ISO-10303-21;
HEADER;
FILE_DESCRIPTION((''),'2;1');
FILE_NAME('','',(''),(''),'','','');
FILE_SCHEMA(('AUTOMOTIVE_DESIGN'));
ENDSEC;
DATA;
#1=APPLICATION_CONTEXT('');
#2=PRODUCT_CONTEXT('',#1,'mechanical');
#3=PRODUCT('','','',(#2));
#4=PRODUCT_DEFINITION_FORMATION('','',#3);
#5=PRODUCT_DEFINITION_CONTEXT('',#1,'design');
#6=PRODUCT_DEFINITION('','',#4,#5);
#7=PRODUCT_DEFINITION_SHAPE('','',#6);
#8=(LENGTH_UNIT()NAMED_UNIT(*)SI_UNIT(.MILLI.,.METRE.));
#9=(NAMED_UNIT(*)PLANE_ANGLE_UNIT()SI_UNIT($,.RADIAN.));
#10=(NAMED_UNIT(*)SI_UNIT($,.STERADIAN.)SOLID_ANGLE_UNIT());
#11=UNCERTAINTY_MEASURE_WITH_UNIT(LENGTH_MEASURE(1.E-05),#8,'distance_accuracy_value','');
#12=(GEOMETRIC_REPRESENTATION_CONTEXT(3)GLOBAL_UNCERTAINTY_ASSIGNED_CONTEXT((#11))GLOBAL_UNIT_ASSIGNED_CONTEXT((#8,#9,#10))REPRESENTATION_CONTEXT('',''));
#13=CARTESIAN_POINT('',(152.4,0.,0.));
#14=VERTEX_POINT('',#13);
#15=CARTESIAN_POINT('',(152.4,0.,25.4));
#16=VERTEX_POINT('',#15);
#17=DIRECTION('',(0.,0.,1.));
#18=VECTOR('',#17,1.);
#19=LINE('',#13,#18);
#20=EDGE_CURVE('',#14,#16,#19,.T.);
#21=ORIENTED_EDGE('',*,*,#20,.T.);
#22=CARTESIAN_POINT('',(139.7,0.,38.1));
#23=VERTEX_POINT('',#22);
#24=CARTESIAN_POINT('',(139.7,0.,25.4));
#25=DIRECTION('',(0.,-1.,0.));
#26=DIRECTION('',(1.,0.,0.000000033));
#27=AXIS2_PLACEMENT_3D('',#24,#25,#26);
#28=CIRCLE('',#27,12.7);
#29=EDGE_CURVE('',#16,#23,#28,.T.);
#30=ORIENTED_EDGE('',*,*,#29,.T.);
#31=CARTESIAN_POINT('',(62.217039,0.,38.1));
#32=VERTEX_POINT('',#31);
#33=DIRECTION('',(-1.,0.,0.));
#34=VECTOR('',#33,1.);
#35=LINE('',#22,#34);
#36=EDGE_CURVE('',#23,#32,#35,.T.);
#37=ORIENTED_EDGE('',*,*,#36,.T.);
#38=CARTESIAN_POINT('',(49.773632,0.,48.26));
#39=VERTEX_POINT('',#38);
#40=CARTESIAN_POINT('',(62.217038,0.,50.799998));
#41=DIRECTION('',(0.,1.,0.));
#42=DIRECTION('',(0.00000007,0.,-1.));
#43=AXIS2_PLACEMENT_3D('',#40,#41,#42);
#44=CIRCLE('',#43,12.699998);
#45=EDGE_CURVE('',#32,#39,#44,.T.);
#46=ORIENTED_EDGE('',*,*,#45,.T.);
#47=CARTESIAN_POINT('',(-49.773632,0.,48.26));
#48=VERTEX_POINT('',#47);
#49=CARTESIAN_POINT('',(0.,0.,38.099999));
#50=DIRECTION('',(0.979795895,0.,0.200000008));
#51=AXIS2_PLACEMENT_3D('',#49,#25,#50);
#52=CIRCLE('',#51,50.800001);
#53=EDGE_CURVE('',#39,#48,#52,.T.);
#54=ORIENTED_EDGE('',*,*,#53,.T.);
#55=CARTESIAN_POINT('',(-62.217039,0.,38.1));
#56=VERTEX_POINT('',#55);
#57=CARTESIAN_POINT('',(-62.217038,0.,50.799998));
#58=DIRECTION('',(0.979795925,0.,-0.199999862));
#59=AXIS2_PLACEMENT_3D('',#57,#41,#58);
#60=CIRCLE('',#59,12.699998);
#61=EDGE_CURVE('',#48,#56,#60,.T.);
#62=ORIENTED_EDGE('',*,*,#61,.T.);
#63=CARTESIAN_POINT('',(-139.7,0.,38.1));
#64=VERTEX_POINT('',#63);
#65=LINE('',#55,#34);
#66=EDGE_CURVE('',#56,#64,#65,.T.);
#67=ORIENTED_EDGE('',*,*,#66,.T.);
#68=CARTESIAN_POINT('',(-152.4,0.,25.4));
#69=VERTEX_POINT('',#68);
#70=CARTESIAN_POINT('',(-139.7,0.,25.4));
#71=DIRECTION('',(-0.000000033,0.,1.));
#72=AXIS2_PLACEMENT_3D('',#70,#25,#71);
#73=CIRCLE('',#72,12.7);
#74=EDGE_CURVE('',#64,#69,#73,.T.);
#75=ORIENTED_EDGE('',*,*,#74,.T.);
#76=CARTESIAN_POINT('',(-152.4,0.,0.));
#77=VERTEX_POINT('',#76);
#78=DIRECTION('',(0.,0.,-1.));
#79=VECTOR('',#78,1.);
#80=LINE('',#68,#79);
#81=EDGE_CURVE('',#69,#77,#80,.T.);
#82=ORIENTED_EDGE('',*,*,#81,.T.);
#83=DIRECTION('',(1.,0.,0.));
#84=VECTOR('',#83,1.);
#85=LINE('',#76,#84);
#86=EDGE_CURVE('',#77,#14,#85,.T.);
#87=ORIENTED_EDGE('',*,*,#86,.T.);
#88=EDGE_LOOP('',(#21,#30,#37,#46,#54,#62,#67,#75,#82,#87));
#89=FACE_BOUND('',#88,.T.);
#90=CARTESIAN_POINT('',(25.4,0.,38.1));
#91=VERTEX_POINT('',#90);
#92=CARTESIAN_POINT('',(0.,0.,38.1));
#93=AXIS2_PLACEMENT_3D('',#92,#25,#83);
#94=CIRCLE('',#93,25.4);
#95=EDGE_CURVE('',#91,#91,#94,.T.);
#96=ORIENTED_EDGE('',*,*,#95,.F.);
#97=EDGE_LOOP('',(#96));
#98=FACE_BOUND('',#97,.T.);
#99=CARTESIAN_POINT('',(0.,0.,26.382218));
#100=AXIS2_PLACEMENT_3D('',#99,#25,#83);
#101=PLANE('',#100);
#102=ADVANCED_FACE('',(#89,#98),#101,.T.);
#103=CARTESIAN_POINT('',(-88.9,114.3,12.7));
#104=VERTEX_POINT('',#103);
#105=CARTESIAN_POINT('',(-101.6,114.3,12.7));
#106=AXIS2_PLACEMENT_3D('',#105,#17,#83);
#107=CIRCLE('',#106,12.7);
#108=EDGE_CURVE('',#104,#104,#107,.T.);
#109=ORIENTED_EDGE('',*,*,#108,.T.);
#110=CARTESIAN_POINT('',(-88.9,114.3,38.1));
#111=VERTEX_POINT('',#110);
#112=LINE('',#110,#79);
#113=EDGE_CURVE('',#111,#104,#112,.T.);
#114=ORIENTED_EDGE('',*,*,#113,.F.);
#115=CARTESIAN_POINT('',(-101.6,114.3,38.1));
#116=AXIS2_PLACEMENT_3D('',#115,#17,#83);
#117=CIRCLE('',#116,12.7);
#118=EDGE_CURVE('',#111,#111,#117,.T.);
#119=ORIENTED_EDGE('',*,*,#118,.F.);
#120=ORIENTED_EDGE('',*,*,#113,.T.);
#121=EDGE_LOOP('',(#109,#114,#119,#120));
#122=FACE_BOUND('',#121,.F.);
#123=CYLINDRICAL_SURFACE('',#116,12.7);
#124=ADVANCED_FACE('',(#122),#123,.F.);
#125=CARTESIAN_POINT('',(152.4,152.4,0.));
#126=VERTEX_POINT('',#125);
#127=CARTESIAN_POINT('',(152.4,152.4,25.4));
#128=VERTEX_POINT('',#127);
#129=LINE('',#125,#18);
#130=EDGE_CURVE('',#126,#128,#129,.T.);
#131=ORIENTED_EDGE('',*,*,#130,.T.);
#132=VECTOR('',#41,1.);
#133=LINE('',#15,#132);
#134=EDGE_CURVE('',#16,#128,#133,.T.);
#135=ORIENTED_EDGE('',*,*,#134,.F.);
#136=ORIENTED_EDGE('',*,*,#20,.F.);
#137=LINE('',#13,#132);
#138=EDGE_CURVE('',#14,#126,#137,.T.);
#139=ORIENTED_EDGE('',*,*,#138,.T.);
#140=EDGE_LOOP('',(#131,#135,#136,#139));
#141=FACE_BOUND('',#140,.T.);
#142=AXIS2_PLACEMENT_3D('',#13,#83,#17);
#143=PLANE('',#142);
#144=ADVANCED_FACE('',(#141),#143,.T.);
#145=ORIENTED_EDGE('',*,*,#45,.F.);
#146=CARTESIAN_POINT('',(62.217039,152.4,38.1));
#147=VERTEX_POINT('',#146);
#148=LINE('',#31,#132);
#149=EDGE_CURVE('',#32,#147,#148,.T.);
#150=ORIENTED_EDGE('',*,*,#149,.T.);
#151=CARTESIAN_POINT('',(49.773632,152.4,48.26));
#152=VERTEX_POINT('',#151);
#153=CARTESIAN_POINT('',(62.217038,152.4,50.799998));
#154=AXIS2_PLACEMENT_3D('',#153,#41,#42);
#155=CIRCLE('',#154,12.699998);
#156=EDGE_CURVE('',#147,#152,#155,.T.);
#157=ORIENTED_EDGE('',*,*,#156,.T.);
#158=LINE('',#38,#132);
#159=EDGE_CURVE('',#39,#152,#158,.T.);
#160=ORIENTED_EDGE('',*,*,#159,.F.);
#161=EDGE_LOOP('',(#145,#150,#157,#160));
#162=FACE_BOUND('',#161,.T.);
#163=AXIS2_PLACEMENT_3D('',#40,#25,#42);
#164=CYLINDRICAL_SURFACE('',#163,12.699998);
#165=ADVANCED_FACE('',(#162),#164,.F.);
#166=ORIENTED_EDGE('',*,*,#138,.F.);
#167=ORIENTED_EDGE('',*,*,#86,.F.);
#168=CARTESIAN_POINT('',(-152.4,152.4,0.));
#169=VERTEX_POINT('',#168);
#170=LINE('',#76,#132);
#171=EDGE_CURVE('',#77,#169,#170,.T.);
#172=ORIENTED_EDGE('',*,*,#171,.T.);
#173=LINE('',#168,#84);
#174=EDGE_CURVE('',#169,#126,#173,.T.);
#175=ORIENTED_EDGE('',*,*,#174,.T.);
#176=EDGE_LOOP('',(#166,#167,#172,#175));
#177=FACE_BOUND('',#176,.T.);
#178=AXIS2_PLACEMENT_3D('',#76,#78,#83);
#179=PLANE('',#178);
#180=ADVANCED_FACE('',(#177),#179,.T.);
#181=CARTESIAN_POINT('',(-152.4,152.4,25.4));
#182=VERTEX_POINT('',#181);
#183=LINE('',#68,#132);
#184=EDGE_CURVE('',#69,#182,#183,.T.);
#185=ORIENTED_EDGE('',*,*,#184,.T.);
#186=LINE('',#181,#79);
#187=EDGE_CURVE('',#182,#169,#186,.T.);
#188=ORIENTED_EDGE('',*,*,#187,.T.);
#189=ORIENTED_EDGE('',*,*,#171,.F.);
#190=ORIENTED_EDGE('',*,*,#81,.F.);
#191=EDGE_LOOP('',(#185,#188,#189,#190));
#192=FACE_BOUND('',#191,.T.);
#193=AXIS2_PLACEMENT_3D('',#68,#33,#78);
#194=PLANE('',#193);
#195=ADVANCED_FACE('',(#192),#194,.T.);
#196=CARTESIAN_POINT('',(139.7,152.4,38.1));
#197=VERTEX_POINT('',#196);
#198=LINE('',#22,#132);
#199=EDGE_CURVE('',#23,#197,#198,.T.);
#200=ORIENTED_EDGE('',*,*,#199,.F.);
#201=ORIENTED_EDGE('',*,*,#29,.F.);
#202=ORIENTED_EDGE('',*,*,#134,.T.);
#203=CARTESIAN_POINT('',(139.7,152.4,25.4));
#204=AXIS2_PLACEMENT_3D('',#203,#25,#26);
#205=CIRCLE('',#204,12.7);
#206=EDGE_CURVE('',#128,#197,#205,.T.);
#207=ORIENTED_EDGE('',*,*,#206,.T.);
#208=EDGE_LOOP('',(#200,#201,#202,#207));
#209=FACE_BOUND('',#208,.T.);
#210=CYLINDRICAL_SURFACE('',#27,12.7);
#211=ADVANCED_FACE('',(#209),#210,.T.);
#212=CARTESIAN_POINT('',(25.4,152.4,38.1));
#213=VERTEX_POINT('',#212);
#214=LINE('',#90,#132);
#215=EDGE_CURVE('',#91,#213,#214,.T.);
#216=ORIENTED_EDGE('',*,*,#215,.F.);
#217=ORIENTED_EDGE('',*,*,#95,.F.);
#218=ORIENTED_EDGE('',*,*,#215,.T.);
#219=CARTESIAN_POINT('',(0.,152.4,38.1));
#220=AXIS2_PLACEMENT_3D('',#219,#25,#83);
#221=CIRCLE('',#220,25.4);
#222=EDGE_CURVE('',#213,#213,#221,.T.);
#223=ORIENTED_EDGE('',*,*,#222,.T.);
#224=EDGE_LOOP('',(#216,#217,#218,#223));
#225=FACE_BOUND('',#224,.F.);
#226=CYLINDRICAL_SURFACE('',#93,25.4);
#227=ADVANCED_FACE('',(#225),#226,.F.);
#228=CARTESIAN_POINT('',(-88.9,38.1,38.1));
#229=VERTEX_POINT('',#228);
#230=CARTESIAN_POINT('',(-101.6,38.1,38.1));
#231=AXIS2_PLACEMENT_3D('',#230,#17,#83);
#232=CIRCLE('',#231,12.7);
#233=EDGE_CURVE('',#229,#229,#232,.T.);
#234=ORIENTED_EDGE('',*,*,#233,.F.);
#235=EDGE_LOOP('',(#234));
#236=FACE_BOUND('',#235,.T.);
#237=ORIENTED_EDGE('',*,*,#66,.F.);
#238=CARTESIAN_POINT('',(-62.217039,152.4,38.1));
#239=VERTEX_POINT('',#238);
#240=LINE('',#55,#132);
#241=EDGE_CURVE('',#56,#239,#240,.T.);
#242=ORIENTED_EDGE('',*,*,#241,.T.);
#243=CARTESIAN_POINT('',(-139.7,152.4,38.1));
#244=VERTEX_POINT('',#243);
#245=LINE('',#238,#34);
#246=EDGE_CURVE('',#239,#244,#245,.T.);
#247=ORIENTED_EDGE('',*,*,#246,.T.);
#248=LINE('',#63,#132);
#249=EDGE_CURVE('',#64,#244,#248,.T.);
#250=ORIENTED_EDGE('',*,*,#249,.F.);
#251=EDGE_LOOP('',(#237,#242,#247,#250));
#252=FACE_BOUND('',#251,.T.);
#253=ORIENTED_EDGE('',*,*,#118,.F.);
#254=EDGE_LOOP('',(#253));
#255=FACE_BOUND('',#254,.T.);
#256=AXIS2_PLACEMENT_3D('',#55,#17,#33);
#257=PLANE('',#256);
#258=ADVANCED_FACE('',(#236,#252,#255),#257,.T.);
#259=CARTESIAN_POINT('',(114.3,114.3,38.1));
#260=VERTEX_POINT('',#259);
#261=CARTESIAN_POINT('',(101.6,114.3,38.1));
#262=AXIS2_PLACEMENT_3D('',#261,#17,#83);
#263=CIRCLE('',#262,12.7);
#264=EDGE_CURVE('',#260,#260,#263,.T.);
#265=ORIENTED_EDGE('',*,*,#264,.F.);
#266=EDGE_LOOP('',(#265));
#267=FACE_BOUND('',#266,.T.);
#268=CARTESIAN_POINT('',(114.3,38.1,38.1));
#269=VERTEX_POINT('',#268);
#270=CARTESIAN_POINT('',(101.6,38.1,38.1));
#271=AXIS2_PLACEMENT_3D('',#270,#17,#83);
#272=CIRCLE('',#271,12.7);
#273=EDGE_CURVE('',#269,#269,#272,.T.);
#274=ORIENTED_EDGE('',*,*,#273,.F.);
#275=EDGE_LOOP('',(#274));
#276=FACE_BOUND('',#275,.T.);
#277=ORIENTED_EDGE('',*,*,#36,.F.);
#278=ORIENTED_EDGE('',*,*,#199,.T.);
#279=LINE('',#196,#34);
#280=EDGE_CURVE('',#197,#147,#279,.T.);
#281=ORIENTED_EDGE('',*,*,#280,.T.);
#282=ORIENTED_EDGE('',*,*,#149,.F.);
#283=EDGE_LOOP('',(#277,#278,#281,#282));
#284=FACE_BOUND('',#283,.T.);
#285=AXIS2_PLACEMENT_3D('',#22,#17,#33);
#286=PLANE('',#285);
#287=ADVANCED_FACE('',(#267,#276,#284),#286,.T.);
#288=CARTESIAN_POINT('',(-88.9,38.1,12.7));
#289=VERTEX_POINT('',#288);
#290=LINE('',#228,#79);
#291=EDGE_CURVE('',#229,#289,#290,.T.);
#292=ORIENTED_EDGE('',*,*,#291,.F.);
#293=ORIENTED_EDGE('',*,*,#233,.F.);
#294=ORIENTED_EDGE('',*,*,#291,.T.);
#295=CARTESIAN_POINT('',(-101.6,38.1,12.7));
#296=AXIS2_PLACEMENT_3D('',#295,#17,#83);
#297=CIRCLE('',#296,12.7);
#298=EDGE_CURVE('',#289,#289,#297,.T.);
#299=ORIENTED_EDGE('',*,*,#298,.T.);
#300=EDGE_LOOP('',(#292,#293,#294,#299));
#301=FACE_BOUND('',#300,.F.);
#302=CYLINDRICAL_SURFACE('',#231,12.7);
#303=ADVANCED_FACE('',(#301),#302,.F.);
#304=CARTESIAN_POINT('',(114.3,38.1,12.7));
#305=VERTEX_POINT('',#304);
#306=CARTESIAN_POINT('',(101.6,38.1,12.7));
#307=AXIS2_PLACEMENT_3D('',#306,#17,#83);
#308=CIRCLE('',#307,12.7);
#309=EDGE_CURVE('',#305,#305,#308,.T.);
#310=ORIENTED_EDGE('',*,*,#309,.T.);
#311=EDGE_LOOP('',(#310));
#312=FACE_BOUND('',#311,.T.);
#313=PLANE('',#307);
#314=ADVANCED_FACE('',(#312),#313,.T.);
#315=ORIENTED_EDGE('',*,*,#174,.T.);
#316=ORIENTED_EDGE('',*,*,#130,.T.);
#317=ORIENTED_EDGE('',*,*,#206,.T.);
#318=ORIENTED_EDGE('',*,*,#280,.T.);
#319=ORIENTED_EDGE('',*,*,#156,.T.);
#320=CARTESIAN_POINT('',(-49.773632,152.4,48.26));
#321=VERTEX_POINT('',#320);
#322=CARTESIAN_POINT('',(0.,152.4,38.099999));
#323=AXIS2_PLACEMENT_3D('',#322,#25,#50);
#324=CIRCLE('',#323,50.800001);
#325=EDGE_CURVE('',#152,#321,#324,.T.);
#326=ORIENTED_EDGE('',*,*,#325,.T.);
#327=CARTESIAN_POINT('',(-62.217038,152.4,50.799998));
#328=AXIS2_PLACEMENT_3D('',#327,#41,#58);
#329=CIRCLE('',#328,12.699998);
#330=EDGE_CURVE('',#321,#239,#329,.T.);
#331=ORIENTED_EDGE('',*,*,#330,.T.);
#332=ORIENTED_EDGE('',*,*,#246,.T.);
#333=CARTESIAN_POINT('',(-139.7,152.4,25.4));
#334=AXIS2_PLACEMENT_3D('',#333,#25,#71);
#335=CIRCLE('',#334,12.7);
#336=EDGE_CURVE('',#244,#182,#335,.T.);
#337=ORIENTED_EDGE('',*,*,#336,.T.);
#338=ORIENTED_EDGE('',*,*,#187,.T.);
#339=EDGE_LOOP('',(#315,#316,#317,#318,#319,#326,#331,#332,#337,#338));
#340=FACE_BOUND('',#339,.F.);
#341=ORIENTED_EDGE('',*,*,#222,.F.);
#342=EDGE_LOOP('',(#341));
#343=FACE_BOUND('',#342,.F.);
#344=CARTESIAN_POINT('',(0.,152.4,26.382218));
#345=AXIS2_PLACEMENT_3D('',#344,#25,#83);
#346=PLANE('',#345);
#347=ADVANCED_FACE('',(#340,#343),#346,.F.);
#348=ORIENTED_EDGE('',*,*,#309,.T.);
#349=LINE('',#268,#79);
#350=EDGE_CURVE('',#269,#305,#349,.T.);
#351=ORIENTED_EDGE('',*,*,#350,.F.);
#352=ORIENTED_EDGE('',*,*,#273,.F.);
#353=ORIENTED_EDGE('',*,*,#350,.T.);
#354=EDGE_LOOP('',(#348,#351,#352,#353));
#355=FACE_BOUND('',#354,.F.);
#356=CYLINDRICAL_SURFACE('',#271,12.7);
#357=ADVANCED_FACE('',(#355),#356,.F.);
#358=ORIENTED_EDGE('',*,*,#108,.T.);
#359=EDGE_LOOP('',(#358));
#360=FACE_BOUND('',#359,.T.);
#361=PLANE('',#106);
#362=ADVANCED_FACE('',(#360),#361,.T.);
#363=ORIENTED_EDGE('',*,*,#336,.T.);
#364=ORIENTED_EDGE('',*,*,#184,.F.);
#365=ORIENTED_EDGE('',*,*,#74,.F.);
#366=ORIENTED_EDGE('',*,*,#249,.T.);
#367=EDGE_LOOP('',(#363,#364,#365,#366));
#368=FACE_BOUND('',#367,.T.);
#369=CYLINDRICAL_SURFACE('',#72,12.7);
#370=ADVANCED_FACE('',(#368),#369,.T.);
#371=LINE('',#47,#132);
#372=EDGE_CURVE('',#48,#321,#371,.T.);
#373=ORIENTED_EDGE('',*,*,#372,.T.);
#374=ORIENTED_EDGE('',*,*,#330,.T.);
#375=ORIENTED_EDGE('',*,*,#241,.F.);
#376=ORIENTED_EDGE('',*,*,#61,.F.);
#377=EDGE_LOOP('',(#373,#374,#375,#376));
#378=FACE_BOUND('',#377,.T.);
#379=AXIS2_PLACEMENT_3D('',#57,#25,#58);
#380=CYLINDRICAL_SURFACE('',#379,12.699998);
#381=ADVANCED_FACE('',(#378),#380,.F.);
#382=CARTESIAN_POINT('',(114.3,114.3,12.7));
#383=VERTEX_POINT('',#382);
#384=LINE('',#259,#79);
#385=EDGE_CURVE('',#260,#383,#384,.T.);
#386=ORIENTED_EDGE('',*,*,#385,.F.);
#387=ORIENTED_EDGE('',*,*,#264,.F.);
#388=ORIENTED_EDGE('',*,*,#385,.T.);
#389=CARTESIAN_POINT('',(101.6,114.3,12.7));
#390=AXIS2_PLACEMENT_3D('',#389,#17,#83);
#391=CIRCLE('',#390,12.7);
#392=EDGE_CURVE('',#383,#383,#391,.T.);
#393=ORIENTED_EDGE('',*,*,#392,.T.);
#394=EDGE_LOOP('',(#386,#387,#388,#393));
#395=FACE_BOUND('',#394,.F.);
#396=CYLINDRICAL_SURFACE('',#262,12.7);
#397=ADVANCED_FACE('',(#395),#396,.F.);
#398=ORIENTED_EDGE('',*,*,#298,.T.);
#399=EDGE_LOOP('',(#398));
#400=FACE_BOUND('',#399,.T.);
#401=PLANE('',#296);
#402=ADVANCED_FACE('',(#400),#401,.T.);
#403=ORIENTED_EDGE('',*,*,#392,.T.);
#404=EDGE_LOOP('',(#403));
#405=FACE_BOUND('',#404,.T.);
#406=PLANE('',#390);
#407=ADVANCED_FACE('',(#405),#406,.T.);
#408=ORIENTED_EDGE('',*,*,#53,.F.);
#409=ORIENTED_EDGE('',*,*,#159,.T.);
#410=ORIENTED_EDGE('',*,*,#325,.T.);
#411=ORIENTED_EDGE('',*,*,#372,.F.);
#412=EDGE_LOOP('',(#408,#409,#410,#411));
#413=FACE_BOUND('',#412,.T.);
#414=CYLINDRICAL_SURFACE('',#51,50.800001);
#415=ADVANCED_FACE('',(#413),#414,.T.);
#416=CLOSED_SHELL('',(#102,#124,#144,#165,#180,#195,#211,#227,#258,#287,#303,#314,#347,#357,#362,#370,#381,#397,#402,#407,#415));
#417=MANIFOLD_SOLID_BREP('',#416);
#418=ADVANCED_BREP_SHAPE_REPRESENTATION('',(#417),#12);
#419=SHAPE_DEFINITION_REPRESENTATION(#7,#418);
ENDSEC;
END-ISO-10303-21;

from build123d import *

# Parameters (mm, degrees)
F0_R     = 25.4
F1_DEPTH = 152.4
F2_R     = 12.7
F3_DEPTH = 25.4


with BuildPart() as f1:
    # F0 (on Front) → F1 (new body)
    with BuildSketch(Plane.XZ):
        with BuildLine():
            Line((-152.4, 25.4), (-152.4, 0))
            Line((-152.4, 0), (152.4, 0))
            Line((152.4, 0), (152.4, 25.4))
            ThreePointArc((152.4, 25.4), (148.680256, 34.380256), (139.7, 38.1))
            Line((139.7, 38.1), (62.217039, 38.1))
            ThreePointArc((62.217039, 38.1), (54.184854, 40.962622), (49.773632, 48.26))
            ThreePointArc((49.773632, 48.26), (0, 88.9), (-49.773632, 48.26))
            ThreePointArc((-49.773632, 48.26), (-54.184854, 40.962622), (-62.217039, 38.1))
            Line((-62.217039, 38.1), (-139.7, 38.1))
            ThreePointArc((-139.7, 38.1), (-148.680256, 34.380256), (-152.4, 25.4))
        make_face()
        with Locations((0, 38.1)):
            Circle(F0_R, mode=Mode.SUBTRACT)
    extrude(amount=-F1_DEPTH)

    # F2 (on face) → F3 (cut)
    with BuildSketch(Plane.XY.offset(38.1)):
        with Locations((-101.6, 114.3)):
            Circle(F2_R)
        with Locations((-101.6, 38.1)):
            Circle(F2_R)
        with Locations((101.6, 114.3)):
            Circle(F2_R)
        with Locations((101.6, 38.1)):
            Circle(F2_R)
    extrude(amount=-F3_DEPTH, mode=Mode.SUBTRACT)


solid = f1.part
